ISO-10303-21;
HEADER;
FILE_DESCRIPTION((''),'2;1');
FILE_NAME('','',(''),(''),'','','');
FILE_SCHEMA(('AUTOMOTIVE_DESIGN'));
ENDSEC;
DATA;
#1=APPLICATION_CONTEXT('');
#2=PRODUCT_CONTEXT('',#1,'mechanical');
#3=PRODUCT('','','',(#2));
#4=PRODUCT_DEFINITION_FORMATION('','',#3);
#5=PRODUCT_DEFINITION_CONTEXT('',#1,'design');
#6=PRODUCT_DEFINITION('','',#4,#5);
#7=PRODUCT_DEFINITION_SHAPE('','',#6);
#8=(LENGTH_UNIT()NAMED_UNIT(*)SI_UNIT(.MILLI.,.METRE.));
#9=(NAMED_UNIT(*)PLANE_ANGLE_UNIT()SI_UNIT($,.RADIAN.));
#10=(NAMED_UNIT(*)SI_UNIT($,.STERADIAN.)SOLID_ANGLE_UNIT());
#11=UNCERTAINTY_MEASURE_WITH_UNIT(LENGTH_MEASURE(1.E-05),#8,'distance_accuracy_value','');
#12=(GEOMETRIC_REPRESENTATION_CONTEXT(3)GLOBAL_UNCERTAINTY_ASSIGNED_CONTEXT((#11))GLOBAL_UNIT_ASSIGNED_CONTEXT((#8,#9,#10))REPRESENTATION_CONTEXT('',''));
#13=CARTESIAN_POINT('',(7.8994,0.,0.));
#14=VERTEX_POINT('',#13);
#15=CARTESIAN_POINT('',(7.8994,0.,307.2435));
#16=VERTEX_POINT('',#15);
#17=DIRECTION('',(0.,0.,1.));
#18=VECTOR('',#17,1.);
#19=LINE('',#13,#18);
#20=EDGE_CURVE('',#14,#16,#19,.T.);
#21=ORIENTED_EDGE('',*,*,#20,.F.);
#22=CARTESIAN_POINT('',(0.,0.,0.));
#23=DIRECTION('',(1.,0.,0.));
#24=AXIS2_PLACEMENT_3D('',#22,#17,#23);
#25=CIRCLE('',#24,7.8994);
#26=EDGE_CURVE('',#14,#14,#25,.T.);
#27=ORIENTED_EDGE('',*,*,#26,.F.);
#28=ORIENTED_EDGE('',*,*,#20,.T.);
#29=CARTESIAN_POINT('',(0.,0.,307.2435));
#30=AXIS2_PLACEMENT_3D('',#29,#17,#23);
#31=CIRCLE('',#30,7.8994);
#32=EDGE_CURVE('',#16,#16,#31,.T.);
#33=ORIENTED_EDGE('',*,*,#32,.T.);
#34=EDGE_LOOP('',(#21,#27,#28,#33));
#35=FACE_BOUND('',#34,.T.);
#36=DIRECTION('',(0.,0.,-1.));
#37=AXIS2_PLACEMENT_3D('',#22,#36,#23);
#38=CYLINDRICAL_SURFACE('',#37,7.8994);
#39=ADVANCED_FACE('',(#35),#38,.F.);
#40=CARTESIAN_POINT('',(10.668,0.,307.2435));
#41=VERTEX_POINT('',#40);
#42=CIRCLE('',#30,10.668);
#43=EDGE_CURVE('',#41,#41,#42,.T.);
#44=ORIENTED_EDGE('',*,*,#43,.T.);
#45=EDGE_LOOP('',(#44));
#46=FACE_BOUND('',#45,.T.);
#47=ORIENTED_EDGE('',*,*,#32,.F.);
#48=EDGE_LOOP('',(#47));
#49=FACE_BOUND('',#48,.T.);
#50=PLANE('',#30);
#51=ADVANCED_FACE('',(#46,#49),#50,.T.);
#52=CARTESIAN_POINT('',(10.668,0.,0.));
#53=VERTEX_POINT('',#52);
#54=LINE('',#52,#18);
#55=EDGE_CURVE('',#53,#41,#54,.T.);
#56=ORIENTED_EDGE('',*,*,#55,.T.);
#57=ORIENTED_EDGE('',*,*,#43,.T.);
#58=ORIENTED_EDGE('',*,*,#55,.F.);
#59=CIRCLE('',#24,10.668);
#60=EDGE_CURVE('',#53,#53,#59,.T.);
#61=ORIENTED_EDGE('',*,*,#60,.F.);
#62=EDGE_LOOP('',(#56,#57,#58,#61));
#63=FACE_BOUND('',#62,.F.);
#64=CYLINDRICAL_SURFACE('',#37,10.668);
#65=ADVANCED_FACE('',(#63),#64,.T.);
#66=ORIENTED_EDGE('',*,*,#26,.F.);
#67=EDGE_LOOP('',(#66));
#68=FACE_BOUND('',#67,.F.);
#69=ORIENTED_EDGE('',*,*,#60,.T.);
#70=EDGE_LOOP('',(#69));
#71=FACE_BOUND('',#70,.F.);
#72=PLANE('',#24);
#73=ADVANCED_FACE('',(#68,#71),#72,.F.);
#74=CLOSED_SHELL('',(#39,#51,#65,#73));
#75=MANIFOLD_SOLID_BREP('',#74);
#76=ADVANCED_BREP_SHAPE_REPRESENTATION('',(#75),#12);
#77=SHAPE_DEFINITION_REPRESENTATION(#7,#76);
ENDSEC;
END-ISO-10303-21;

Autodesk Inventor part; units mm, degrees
ref_plane "YZ Plane" through (0, 0, 0) normal (1, 0, 0) x (0, 1, 0)
ref_plane "Start Plane" through (0, 0, 0) normal (0, 0, 1) x (1, 0, 0)
ref_plane "End Plane" through (0, 0, 307.2435) normal (0, 0, 1) x (1, 0, 0)
sketch "Sketch" plane through (0, 0, 0) normal (0, 0, 1) x (1, 0, 0)
  circle A0 centre (0, 0) radius 7.8994
  circle A1 centre (0, 0) radius 10.668
  dimension "d0" = 21.336
  dimension "d1" = 2.7686
extrude "Body" add sketch "Sketch" along normal up to surface (307.2435 mm away) from surface at 0
sketch "Sketch3" plane through (0, 0, 0) normal (0, 0, 1) x (1, 0, 0)
  line L0 (0, 0) -> (10, 0)
ref_plane "Work Plane3" through (0, 0, 0) normal (0, -1, 0) x (1, 0, 0)
sketch "Sketch4" plane through (0, 0, 0) normal (0, -1, 0) x (1, 0, 0)
  line L0 (-2, 0) -> (12, 0) projected
  line L1 (-2, 307.2435) -> (12, 307.2435) projected
  dimension "d7" = 307.2435
equation "\"d0\" = G_H"
equation "\"d1\" = G_T"
equation "\"d2\" = G_L"
equation "\"G_H\" = 21.336"
equation "\"G_T\" = 2.7686"
equation "\"G_L\" = d7"
equation "\"G_OFFSET_START\" = 0"
equation "\"G_OFFSET_END\" = 0"
equation "\"d5\" = G_OFFSET_END + B_L"
equation "\"B_L\" = 307.24347"
properties part number "ANSI - 1/2 x 0.109 - 12.096" material "Steel, Mild"
